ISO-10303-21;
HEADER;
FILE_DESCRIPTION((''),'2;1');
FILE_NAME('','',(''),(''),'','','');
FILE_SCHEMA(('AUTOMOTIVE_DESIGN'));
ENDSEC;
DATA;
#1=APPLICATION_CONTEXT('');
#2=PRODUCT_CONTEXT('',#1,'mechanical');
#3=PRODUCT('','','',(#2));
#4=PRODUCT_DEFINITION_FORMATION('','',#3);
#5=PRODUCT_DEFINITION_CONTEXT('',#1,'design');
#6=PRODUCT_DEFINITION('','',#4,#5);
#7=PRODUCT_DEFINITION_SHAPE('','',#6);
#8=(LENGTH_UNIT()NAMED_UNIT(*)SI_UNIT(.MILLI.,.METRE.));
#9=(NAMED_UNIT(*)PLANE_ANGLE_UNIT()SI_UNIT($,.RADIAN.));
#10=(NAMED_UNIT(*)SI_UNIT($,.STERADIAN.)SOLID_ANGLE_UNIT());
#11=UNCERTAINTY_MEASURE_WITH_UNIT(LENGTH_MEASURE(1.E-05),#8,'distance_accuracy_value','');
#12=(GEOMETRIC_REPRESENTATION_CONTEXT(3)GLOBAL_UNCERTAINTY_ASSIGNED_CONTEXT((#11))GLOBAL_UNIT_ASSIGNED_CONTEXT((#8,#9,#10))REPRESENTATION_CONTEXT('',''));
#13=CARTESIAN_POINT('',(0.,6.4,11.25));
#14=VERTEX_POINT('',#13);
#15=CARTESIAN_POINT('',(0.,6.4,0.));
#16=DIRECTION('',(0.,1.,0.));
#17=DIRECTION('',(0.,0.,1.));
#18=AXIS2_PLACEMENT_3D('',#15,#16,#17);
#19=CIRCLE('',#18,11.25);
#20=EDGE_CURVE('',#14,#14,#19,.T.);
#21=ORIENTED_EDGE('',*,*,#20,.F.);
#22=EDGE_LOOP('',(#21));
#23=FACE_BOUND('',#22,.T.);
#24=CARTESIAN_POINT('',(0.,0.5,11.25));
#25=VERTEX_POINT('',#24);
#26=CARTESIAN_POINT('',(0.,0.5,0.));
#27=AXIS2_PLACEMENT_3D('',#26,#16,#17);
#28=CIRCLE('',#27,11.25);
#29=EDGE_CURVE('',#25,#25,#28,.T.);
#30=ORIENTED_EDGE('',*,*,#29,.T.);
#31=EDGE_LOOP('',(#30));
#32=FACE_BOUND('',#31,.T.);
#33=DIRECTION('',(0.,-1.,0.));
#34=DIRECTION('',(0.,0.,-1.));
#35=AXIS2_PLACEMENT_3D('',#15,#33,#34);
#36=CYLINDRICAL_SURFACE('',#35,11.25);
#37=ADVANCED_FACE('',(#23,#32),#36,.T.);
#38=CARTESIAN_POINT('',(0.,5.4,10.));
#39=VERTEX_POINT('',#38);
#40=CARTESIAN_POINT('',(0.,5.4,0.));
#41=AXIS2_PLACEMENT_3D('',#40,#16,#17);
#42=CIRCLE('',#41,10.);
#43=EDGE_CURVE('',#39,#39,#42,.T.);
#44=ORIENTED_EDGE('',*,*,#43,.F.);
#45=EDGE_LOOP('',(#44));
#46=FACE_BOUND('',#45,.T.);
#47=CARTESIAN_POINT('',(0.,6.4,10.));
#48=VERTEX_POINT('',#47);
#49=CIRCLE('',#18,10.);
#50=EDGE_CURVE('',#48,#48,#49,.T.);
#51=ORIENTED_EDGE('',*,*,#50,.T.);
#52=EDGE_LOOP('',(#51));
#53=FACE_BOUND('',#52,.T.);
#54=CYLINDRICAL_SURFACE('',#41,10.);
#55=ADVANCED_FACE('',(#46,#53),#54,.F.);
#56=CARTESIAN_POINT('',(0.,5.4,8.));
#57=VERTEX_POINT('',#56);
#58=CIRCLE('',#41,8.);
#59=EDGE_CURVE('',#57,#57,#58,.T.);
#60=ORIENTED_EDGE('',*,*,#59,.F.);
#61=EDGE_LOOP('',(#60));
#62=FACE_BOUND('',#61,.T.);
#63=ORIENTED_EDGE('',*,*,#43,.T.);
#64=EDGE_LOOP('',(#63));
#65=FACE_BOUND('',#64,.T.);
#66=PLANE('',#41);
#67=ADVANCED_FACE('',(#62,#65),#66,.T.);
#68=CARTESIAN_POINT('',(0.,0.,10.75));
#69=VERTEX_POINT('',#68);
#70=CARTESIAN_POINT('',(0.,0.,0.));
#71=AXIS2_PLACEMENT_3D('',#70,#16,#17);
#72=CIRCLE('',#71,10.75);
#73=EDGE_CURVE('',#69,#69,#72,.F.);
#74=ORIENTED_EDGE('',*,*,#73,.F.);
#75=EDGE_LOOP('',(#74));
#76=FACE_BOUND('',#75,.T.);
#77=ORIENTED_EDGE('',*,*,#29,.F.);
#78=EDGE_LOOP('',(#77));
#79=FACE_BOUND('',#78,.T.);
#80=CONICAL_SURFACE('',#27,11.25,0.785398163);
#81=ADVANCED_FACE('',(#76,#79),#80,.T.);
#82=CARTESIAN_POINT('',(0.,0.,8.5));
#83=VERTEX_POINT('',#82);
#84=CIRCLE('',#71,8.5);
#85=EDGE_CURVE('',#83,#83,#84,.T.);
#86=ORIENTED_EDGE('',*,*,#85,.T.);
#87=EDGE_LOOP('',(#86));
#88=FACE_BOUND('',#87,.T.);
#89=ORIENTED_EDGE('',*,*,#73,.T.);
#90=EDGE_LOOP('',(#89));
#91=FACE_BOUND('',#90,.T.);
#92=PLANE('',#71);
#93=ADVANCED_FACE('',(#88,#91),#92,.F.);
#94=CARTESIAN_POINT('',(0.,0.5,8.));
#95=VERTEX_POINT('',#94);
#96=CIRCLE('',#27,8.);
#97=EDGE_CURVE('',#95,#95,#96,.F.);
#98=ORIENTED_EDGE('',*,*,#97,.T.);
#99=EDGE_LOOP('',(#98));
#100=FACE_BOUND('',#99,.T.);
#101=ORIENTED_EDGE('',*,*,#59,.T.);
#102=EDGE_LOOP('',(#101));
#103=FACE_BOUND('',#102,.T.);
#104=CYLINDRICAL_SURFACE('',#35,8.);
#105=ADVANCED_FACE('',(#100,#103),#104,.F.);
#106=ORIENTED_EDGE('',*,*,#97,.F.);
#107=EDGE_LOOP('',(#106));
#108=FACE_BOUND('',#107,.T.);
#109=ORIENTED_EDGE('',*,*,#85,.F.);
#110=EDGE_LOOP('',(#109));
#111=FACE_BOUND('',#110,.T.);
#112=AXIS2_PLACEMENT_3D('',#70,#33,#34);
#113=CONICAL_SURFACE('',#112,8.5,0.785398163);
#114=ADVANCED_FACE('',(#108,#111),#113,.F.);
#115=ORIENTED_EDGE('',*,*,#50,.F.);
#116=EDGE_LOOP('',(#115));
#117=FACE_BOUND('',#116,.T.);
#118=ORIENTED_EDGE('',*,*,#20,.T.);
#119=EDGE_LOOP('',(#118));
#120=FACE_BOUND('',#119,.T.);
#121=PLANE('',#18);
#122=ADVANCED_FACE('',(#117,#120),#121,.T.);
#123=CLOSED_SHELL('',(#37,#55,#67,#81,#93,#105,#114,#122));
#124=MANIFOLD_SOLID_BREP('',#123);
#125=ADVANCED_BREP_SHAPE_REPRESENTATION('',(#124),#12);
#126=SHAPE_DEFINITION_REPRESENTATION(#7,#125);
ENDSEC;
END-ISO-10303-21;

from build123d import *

# Parameters (mm, degrees)
SKETCH1_R           = 11.25
SKETCH1_R_2         = 8
BOSS_EXTRUDE1_DEPTH = 6.4
SKETCH2_R           = 10
CUT_EXTRUDE1_DEPTH  = 1
CHAMFER1_SIZE       = 0.5


with BuildPart() as part:
    # Sketch1 → Boss-Extrude1 (new body)
    with BuildSketch(Plane(origin=(0, 0, 0), x_dir=(1, 0, 0), z_dir=(0, 1, 0))):
        with Locations(Location((0, 0, 0), (0, 0, 270))):
            Circle(SKETCH1_R)
        with Locations(Location((0, 0, 0), (0, 0, 270))):
            Circle(SKETCH1_R_2, mode=Mode.SUBTRACT)
    extrude(amount=BOSS_EXTRUDE1_DEPTH)

    # Sketch2 → Cut-Extrude1 (cut)
    with BuildSketch(Plane(origin=(0, 6.4, 0), x_dir=(1, 0, 0), z_dir=(0, 1, 0))):
        with Locations(Location((0, 0, 0), (0, 0, 270))):
            Circle(SKETCH2_R)
    extrude(amount=-CUT_EXTRUDE1_DEPTH, mode=Mode.SUBTRACT)

    # Chamfer1
    chamfer1_edges = [part.edges().sort_by_distance(p)[0] for p in [
        (0, 0, -11.25),
        (0, 0, -8),
    ]]
    chamfer(chamfer1_edges, length=CHAMFER1_SIZE)


solid = part.part
